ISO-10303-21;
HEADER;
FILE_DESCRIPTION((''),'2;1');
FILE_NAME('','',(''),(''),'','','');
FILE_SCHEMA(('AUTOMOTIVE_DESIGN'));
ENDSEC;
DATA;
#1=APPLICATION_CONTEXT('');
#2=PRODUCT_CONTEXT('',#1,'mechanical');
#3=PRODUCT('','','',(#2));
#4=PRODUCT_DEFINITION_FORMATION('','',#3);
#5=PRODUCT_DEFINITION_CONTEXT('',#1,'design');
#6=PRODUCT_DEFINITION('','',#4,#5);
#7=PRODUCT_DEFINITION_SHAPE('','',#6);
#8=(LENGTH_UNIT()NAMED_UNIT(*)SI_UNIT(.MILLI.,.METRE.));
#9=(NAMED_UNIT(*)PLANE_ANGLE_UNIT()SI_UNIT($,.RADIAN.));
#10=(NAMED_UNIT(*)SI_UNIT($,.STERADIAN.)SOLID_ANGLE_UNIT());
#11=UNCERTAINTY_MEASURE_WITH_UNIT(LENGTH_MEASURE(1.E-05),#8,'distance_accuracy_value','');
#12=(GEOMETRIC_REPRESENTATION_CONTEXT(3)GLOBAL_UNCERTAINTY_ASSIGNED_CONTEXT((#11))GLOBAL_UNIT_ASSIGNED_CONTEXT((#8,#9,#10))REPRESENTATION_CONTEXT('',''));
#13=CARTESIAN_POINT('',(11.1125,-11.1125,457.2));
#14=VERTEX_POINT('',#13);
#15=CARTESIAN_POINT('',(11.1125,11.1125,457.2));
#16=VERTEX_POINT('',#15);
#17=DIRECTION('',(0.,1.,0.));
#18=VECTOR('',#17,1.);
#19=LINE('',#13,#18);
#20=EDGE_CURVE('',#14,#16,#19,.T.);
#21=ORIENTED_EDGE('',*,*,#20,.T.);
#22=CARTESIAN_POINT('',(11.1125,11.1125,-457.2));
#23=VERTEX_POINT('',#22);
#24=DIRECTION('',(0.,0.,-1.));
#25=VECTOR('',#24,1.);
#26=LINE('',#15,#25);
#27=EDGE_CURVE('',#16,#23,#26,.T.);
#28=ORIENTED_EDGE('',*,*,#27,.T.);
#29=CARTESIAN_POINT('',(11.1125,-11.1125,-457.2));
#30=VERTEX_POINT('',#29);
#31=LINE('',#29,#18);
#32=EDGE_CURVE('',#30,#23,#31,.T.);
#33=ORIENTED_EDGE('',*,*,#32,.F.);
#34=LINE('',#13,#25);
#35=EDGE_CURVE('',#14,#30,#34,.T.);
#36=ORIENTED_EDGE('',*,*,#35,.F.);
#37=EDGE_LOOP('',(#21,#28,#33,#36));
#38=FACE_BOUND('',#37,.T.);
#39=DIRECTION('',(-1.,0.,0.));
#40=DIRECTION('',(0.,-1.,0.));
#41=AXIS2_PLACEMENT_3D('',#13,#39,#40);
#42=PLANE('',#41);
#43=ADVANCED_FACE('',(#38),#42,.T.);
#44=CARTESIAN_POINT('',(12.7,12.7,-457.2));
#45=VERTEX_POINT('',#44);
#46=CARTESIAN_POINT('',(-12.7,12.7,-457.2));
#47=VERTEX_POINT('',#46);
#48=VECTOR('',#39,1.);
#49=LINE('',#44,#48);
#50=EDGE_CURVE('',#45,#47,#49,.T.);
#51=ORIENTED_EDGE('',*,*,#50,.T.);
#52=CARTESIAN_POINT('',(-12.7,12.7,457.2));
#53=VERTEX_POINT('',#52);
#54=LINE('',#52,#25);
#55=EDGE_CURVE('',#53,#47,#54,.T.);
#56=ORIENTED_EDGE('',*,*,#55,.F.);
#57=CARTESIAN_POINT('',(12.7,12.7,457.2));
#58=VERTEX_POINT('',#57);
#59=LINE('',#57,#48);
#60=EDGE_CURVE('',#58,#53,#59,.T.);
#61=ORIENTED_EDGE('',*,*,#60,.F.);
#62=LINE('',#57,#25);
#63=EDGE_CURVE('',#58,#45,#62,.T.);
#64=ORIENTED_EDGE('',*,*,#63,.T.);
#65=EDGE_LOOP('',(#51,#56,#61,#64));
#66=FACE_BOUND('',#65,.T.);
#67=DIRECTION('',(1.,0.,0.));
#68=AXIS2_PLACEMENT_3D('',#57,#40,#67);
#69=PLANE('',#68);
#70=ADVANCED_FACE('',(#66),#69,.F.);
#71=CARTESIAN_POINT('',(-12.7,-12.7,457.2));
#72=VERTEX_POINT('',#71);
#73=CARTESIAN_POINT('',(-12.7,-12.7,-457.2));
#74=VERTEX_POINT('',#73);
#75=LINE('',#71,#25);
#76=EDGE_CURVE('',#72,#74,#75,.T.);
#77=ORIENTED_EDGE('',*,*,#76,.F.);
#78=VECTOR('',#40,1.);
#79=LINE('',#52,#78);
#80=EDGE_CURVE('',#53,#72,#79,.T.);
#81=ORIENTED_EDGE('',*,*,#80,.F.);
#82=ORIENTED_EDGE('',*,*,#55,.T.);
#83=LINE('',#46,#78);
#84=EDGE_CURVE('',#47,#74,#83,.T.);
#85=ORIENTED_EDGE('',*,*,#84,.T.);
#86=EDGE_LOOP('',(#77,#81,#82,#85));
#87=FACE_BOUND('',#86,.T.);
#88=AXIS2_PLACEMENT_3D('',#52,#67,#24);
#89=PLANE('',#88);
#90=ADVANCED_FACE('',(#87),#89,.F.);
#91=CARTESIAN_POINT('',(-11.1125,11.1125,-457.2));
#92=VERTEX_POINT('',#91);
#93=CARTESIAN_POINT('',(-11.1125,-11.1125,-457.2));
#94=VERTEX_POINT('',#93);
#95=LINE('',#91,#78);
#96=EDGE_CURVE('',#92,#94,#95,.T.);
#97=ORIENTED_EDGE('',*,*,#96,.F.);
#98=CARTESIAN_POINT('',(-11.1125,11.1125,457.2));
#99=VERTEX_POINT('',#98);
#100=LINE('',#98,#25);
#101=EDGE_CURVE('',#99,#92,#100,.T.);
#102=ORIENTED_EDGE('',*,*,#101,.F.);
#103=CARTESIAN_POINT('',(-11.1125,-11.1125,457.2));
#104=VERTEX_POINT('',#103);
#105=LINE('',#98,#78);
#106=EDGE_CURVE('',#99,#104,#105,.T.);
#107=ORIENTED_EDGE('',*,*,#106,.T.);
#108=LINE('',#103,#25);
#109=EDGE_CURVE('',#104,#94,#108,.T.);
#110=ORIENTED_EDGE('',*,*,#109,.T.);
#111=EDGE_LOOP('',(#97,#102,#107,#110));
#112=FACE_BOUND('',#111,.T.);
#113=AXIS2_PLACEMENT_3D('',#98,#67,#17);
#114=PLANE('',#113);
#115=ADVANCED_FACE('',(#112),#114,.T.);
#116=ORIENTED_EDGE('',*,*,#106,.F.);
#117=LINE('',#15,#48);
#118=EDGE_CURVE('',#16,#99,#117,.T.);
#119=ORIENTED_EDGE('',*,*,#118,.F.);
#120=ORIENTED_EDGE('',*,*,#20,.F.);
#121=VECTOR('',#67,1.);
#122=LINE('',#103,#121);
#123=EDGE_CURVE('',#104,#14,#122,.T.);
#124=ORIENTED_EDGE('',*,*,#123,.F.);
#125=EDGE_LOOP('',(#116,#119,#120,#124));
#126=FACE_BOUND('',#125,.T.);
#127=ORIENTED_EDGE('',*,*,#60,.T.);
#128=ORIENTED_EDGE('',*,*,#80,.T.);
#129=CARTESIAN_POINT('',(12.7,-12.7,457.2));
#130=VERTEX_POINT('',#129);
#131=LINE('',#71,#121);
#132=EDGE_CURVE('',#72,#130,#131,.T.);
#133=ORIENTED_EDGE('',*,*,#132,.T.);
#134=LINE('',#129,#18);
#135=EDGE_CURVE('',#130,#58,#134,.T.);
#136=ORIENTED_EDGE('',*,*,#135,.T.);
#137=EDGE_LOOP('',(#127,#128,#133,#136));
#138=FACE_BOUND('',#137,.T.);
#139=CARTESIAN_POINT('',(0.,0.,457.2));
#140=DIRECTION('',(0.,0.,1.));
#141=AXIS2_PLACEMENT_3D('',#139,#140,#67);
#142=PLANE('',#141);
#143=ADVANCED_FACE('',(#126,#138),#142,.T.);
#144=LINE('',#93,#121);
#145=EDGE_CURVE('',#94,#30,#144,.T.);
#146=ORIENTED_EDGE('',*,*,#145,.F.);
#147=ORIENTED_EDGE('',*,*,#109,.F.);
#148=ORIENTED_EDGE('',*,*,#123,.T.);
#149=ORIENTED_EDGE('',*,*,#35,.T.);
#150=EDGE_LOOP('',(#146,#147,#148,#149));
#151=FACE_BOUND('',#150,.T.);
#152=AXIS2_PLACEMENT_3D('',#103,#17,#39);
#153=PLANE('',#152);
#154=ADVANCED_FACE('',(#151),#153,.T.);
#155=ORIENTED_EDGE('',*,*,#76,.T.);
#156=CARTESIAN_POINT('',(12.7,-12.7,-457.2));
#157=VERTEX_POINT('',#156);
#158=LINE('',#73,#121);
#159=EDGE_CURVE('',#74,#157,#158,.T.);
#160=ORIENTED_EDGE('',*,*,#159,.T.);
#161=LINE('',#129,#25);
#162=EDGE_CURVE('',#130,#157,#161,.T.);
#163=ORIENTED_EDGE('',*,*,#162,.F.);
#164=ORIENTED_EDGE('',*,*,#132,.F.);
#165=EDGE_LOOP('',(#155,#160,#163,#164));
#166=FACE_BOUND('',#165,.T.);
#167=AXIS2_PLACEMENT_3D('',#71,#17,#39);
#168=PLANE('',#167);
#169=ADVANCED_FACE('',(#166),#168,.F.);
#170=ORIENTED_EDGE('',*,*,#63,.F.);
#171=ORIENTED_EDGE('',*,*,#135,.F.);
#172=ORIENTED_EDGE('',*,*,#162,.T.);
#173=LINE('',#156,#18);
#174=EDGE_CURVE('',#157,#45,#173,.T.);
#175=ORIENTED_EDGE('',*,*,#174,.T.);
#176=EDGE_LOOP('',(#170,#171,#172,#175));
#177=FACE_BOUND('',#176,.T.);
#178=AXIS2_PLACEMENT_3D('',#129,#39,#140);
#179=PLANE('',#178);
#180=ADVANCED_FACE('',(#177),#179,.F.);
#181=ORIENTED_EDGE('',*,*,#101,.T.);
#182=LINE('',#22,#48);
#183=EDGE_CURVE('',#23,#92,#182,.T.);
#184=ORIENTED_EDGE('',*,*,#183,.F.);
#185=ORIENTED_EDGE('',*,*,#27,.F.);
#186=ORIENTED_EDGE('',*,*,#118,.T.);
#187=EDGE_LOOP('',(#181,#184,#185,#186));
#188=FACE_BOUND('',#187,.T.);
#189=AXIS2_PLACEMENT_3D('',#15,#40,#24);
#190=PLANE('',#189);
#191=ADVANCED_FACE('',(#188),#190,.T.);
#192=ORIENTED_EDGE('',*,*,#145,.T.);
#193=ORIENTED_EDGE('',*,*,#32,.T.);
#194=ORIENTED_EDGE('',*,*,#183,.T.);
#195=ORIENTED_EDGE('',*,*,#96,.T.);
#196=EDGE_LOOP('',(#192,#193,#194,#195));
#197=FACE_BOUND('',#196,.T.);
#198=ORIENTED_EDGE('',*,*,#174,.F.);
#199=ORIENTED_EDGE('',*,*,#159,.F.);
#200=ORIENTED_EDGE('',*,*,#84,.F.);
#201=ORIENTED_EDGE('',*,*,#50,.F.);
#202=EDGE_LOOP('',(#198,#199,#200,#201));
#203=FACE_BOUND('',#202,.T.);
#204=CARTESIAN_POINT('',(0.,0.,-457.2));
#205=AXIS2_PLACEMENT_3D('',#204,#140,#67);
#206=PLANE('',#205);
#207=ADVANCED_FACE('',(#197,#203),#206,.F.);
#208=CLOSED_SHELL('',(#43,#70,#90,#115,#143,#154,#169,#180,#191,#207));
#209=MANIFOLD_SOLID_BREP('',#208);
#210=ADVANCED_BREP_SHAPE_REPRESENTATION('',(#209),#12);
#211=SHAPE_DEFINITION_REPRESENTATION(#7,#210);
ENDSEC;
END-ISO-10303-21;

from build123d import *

# Parameters (mm, degrees)
BOSS_EXTRUDE1_DEPTH      = 457.2
BOSS_EXTRUDE1_DEPTH_BACK = 457.2
SKETCH3_W                = 25.4
SKETCH3_H                = 25.4
SKETCH3_W_2              = 22.225
SKETCH3_H_2              = 22.225


with BuildPart() as part:
    # Sketch3 → Boss-Extrude1 (new, two sides: drawn at the far end of the back side and taken through both)
    with BuildSketch(Plane.XY.offset(-BOSS_EXTRUDE1_DEPTH_BACK)):
        Rectangle(SKETCH3_W, SKETCH3_H)
        Rectangle(SKETCH3_W_2, SKETCH3_H_2, mode=Mode.SUBTRACT)
    extrude(amount=BOSS_EXTRUDE1_DEPTH + BOSS_EXTRUDE1_DEPTH_BACK)


solid = part.part
